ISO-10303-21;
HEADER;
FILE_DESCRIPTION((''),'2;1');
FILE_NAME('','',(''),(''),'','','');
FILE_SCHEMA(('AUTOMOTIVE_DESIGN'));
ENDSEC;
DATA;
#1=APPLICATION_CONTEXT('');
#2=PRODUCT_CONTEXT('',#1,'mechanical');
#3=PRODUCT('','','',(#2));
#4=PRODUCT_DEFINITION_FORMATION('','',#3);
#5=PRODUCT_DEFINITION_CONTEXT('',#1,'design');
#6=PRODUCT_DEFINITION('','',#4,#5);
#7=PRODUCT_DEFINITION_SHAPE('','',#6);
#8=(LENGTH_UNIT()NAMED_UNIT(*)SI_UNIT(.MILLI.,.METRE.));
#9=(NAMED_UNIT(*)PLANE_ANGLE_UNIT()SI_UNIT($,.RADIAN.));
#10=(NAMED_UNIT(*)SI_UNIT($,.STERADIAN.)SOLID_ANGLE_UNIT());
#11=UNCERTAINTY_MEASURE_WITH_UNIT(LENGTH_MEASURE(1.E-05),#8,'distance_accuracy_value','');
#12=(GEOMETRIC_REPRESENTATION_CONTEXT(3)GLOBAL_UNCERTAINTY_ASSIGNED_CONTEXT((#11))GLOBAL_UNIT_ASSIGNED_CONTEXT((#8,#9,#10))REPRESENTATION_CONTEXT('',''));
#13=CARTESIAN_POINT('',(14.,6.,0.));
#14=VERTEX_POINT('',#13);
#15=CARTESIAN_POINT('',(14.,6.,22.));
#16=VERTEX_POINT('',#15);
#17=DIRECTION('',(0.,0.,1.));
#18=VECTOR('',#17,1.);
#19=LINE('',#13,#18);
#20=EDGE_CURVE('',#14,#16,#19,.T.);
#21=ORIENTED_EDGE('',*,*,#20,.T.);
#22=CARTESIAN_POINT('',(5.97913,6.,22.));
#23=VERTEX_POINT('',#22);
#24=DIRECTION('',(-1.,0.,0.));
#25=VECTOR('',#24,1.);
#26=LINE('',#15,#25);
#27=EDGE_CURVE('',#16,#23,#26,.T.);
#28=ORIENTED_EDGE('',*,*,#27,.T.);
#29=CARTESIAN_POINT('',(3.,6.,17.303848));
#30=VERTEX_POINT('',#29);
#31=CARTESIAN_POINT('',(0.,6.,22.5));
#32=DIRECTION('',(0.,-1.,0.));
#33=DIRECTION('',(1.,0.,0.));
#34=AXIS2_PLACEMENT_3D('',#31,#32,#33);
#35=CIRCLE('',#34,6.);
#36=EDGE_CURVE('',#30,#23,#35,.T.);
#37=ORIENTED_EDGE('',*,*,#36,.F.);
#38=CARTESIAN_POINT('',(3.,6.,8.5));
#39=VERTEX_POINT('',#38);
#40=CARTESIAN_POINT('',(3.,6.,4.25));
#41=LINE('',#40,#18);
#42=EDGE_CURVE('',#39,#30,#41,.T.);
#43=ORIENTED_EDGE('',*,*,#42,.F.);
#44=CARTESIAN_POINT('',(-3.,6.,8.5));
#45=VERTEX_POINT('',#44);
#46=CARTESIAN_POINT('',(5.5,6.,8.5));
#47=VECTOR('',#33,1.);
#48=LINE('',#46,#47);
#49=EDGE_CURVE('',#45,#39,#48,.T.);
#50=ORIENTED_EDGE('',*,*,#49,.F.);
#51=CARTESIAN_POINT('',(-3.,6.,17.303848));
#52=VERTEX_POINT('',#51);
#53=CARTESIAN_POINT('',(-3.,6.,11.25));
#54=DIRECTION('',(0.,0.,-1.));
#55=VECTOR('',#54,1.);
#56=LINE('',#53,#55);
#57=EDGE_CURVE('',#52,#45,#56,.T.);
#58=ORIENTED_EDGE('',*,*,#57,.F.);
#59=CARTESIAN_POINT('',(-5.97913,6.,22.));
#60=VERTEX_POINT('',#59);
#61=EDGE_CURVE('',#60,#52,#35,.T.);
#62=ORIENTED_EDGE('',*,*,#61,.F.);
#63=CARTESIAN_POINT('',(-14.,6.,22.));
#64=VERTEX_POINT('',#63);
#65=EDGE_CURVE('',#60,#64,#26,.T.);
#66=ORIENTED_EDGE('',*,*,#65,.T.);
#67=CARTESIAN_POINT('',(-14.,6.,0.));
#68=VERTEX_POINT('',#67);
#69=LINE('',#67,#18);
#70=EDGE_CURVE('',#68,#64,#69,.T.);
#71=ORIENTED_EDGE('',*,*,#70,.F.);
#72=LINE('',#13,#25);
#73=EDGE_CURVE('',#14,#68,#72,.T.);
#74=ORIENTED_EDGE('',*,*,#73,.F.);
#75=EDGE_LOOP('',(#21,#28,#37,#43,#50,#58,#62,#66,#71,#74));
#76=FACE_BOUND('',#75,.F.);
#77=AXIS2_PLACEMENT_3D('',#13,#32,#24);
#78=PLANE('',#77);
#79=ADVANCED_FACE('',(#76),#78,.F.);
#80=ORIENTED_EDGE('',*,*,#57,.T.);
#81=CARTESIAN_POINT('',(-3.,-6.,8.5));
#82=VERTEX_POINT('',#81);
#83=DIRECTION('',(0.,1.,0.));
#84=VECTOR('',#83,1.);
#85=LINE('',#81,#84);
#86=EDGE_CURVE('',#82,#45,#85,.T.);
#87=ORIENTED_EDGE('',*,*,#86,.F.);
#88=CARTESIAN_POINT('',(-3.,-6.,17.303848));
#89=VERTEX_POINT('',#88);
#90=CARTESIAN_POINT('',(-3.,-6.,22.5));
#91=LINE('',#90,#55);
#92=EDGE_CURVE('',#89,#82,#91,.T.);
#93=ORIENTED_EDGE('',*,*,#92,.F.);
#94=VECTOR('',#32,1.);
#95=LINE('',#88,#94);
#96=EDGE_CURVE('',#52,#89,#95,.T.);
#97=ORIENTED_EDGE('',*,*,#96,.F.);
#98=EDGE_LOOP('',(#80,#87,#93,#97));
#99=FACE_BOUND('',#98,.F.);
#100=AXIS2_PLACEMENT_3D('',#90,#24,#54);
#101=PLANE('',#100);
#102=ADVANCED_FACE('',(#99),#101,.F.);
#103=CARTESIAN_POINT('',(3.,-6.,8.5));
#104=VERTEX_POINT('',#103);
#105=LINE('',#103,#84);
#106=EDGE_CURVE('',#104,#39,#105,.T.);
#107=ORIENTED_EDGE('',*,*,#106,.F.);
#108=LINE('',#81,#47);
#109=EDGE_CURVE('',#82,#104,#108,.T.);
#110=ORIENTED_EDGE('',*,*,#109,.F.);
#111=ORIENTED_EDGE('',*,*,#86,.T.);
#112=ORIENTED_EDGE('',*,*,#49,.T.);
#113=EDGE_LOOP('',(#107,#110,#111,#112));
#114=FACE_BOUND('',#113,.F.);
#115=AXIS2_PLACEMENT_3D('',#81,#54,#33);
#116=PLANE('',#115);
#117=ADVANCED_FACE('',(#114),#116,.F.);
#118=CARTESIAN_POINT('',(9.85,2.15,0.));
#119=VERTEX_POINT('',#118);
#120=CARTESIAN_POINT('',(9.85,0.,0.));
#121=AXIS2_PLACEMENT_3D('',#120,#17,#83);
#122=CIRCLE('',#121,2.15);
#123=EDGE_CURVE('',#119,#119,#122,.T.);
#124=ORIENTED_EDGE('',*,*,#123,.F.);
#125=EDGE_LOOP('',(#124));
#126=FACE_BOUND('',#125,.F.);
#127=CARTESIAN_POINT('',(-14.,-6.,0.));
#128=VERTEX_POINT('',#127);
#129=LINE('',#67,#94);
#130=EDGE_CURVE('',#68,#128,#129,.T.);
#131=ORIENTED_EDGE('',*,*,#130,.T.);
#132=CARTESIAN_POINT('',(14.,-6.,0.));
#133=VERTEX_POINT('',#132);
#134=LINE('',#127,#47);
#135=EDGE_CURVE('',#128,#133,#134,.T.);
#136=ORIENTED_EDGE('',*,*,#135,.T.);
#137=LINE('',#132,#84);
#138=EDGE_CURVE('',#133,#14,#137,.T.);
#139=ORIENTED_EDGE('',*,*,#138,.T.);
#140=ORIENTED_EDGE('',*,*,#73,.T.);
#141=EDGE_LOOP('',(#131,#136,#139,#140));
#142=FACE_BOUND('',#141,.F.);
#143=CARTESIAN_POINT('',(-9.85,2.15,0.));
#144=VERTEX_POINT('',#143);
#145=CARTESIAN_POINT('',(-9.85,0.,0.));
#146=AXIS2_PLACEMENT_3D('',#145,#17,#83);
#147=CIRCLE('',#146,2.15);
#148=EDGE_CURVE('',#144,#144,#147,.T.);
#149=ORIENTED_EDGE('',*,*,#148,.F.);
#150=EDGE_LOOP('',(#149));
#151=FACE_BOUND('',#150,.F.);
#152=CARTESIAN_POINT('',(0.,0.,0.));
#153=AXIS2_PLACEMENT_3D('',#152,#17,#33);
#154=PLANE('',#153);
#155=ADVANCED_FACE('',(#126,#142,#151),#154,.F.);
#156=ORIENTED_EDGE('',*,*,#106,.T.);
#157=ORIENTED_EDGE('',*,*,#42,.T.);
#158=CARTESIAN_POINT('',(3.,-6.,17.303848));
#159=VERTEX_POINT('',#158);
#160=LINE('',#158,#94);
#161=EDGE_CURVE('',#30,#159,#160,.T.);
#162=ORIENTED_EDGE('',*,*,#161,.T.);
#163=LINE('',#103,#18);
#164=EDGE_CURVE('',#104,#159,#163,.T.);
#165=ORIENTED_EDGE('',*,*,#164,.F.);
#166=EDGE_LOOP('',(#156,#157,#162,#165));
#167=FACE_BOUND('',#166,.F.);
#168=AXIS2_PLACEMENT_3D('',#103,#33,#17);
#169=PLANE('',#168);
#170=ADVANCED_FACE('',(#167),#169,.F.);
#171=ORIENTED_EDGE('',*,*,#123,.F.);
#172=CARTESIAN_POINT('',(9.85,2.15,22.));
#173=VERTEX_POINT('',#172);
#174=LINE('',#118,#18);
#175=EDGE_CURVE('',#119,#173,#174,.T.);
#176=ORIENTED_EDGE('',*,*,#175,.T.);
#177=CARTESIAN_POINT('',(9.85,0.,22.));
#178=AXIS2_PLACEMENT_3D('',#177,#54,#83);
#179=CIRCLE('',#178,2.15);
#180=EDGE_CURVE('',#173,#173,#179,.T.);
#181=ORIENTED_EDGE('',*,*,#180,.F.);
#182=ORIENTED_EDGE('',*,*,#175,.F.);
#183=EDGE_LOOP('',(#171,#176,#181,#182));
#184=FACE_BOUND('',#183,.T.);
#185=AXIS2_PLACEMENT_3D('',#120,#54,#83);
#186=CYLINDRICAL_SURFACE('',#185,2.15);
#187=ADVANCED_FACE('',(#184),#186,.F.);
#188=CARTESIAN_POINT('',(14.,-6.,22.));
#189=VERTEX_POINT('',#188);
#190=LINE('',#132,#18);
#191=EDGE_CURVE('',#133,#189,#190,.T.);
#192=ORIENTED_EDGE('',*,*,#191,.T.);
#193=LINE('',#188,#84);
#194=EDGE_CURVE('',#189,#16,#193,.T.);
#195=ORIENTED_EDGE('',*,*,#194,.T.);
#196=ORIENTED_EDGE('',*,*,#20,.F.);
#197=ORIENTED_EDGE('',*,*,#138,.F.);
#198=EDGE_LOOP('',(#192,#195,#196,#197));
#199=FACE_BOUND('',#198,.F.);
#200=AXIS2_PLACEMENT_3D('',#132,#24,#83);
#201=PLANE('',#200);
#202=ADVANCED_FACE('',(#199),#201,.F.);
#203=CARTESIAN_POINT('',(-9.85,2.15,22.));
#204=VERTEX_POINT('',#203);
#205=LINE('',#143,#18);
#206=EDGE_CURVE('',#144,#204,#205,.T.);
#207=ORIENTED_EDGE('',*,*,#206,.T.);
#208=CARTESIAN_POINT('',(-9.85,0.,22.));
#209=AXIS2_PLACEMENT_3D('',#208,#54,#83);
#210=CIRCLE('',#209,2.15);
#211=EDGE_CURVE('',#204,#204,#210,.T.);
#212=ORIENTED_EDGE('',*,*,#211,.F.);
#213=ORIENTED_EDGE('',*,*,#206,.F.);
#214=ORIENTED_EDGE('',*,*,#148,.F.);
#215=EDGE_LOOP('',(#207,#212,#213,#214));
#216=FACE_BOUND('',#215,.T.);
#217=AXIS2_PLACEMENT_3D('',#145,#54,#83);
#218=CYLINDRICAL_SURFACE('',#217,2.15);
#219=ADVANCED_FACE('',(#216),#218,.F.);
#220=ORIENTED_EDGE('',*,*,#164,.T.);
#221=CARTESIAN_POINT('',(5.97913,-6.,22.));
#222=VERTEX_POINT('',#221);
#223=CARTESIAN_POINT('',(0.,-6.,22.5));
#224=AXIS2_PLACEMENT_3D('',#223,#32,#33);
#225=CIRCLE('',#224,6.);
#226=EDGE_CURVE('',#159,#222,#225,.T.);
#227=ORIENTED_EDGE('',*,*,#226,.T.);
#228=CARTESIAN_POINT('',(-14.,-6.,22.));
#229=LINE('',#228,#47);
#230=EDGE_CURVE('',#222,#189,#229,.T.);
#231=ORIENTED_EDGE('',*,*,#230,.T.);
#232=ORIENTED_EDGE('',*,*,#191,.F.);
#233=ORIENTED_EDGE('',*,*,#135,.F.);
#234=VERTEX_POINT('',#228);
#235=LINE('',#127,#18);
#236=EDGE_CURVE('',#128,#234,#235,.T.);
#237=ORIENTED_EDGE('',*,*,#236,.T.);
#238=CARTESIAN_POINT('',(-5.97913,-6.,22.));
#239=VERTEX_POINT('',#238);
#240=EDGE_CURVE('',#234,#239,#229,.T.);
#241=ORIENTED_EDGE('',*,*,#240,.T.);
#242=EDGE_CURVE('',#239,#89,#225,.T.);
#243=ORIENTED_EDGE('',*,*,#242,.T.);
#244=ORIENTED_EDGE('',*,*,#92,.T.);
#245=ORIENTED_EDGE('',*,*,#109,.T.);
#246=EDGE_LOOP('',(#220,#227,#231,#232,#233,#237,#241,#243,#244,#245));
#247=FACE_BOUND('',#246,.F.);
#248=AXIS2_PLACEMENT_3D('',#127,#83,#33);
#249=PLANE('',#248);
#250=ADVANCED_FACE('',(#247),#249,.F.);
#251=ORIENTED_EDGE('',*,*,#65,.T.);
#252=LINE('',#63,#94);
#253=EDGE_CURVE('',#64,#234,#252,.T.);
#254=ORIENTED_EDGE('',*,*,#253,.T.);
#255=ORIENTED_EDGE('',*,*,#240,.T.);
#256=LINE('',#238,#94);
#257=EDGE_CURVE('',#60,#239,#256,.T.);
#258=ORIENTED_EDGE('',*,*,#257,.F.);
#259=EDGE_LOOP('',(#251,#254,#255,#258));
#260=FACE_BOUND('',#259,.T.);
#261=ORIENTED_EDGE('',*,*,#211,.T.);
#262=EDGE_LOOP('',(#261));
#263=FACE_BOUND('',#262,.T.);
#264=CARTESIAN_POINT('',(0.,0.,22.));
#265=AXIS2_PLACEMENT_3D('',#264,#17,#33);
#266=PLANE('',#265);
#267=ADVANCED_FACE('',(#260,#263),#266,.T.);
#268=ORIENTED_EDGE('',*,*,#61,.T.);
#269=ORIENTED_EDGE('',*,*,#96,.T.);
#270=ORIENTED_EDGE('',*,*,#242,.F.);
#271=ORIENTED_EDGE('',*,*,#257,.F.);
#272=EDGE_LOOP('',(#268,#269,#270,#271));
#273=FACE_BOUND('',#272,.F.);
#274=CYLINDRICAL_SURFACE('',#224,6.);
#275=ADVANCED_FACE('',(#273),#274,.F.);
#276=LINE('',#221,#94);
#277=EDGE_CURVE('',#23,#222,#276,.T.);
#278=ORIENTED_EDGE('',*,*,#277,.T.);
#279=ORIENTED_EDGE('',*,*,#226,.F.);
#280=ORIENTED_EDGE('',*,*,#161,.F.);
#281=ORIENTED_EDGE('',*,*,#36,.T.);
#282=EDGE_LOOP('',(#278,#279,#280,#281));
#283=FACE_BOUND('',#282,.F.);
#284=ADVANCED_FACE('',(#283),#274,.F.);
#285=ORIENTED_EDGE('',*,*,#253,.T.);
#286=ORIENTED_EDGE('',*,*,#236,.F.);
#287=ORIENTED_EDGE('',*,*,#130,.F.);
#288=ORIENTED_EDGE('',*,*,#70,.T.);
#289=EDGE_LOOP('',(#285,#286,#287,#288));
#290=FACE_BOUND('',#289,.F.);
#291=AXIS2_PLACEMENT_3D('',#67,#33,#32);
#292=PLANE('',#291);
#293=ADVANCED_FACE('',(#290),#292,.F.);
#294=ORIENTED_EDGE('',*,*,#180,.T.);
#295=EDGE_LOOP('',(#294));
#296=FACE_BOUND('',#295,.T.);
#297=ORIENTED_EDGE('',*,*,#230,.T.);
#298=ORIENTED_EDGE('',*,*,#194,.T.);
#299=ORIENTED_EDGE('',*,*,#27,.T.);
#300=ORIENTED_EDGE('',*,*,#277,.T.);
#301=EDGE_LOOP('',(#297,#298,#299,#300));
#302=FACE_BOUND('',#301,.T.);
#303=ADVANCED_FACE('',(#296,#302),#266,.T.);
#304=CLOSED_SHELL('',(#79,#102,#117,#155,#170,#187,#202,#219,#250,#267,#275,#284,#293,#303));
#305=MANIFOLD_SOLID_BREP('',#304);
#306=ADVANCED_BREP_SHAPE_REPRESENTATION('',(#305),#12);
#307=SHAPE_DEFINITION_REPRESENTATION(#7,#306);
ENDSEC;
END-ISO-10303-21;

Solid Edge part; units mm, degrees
sketch "Sketch1" plane through (0, 0, 0) normal (0, 0, 1) x (1, 0, 0)
  line L0 (-14, -6) -> (14, -6)
  line L1 (14, -6) -> (14, 6)
  line L2 (14, 6) -> (-14, 6)
  line L3 (-14, 6) -> (-14, -6)
  dimension "D1" = 28
  dimension "D2" = 12
extrude "Ajout_matière_1" add sketch "Sketch1" along normal blind 22
sketch "Sketch2" plane through (0, -6, 10) normal (0, -1, 0) x (1, 0, 0)
  circle A0 centre (0, 12.5) radius 6
  dimension "D1" = 12
  dimension "D2" = 22.5
extrude "Cutout1" cut sketch "Sketch2" against normal through all
sketch "Sketch3" plane through (0, -6, 10) normal (0, -1, 0) x (1, 0, 0)
  line L0 (-3, -1.5) -> (3, -1.5)
  line L1 (3, -1.5) -> (3, 12.5)
  line L2 (3, 12.5) -> (-3, 12.5)
  line L3 (-3, 12.5) -> (-3, -1.5)
  dimension "D1" = 14
  dimension "D2" = 6
  dimension "D3" = 8.5
  dimension "D4" = 8
extrude "Cutout2" cut sketch "Sketch3" against normal through all
hole "Perçage_1" at (9.85, 0, 0) direction (0, 0, 1) diameter 4.3 end through all
hole "Hole1" at (-9.85, 0, 0) direction (0, 0, 1) diameter 4.3 end through all
properties material "Plastique ABS, performance moyenne"
